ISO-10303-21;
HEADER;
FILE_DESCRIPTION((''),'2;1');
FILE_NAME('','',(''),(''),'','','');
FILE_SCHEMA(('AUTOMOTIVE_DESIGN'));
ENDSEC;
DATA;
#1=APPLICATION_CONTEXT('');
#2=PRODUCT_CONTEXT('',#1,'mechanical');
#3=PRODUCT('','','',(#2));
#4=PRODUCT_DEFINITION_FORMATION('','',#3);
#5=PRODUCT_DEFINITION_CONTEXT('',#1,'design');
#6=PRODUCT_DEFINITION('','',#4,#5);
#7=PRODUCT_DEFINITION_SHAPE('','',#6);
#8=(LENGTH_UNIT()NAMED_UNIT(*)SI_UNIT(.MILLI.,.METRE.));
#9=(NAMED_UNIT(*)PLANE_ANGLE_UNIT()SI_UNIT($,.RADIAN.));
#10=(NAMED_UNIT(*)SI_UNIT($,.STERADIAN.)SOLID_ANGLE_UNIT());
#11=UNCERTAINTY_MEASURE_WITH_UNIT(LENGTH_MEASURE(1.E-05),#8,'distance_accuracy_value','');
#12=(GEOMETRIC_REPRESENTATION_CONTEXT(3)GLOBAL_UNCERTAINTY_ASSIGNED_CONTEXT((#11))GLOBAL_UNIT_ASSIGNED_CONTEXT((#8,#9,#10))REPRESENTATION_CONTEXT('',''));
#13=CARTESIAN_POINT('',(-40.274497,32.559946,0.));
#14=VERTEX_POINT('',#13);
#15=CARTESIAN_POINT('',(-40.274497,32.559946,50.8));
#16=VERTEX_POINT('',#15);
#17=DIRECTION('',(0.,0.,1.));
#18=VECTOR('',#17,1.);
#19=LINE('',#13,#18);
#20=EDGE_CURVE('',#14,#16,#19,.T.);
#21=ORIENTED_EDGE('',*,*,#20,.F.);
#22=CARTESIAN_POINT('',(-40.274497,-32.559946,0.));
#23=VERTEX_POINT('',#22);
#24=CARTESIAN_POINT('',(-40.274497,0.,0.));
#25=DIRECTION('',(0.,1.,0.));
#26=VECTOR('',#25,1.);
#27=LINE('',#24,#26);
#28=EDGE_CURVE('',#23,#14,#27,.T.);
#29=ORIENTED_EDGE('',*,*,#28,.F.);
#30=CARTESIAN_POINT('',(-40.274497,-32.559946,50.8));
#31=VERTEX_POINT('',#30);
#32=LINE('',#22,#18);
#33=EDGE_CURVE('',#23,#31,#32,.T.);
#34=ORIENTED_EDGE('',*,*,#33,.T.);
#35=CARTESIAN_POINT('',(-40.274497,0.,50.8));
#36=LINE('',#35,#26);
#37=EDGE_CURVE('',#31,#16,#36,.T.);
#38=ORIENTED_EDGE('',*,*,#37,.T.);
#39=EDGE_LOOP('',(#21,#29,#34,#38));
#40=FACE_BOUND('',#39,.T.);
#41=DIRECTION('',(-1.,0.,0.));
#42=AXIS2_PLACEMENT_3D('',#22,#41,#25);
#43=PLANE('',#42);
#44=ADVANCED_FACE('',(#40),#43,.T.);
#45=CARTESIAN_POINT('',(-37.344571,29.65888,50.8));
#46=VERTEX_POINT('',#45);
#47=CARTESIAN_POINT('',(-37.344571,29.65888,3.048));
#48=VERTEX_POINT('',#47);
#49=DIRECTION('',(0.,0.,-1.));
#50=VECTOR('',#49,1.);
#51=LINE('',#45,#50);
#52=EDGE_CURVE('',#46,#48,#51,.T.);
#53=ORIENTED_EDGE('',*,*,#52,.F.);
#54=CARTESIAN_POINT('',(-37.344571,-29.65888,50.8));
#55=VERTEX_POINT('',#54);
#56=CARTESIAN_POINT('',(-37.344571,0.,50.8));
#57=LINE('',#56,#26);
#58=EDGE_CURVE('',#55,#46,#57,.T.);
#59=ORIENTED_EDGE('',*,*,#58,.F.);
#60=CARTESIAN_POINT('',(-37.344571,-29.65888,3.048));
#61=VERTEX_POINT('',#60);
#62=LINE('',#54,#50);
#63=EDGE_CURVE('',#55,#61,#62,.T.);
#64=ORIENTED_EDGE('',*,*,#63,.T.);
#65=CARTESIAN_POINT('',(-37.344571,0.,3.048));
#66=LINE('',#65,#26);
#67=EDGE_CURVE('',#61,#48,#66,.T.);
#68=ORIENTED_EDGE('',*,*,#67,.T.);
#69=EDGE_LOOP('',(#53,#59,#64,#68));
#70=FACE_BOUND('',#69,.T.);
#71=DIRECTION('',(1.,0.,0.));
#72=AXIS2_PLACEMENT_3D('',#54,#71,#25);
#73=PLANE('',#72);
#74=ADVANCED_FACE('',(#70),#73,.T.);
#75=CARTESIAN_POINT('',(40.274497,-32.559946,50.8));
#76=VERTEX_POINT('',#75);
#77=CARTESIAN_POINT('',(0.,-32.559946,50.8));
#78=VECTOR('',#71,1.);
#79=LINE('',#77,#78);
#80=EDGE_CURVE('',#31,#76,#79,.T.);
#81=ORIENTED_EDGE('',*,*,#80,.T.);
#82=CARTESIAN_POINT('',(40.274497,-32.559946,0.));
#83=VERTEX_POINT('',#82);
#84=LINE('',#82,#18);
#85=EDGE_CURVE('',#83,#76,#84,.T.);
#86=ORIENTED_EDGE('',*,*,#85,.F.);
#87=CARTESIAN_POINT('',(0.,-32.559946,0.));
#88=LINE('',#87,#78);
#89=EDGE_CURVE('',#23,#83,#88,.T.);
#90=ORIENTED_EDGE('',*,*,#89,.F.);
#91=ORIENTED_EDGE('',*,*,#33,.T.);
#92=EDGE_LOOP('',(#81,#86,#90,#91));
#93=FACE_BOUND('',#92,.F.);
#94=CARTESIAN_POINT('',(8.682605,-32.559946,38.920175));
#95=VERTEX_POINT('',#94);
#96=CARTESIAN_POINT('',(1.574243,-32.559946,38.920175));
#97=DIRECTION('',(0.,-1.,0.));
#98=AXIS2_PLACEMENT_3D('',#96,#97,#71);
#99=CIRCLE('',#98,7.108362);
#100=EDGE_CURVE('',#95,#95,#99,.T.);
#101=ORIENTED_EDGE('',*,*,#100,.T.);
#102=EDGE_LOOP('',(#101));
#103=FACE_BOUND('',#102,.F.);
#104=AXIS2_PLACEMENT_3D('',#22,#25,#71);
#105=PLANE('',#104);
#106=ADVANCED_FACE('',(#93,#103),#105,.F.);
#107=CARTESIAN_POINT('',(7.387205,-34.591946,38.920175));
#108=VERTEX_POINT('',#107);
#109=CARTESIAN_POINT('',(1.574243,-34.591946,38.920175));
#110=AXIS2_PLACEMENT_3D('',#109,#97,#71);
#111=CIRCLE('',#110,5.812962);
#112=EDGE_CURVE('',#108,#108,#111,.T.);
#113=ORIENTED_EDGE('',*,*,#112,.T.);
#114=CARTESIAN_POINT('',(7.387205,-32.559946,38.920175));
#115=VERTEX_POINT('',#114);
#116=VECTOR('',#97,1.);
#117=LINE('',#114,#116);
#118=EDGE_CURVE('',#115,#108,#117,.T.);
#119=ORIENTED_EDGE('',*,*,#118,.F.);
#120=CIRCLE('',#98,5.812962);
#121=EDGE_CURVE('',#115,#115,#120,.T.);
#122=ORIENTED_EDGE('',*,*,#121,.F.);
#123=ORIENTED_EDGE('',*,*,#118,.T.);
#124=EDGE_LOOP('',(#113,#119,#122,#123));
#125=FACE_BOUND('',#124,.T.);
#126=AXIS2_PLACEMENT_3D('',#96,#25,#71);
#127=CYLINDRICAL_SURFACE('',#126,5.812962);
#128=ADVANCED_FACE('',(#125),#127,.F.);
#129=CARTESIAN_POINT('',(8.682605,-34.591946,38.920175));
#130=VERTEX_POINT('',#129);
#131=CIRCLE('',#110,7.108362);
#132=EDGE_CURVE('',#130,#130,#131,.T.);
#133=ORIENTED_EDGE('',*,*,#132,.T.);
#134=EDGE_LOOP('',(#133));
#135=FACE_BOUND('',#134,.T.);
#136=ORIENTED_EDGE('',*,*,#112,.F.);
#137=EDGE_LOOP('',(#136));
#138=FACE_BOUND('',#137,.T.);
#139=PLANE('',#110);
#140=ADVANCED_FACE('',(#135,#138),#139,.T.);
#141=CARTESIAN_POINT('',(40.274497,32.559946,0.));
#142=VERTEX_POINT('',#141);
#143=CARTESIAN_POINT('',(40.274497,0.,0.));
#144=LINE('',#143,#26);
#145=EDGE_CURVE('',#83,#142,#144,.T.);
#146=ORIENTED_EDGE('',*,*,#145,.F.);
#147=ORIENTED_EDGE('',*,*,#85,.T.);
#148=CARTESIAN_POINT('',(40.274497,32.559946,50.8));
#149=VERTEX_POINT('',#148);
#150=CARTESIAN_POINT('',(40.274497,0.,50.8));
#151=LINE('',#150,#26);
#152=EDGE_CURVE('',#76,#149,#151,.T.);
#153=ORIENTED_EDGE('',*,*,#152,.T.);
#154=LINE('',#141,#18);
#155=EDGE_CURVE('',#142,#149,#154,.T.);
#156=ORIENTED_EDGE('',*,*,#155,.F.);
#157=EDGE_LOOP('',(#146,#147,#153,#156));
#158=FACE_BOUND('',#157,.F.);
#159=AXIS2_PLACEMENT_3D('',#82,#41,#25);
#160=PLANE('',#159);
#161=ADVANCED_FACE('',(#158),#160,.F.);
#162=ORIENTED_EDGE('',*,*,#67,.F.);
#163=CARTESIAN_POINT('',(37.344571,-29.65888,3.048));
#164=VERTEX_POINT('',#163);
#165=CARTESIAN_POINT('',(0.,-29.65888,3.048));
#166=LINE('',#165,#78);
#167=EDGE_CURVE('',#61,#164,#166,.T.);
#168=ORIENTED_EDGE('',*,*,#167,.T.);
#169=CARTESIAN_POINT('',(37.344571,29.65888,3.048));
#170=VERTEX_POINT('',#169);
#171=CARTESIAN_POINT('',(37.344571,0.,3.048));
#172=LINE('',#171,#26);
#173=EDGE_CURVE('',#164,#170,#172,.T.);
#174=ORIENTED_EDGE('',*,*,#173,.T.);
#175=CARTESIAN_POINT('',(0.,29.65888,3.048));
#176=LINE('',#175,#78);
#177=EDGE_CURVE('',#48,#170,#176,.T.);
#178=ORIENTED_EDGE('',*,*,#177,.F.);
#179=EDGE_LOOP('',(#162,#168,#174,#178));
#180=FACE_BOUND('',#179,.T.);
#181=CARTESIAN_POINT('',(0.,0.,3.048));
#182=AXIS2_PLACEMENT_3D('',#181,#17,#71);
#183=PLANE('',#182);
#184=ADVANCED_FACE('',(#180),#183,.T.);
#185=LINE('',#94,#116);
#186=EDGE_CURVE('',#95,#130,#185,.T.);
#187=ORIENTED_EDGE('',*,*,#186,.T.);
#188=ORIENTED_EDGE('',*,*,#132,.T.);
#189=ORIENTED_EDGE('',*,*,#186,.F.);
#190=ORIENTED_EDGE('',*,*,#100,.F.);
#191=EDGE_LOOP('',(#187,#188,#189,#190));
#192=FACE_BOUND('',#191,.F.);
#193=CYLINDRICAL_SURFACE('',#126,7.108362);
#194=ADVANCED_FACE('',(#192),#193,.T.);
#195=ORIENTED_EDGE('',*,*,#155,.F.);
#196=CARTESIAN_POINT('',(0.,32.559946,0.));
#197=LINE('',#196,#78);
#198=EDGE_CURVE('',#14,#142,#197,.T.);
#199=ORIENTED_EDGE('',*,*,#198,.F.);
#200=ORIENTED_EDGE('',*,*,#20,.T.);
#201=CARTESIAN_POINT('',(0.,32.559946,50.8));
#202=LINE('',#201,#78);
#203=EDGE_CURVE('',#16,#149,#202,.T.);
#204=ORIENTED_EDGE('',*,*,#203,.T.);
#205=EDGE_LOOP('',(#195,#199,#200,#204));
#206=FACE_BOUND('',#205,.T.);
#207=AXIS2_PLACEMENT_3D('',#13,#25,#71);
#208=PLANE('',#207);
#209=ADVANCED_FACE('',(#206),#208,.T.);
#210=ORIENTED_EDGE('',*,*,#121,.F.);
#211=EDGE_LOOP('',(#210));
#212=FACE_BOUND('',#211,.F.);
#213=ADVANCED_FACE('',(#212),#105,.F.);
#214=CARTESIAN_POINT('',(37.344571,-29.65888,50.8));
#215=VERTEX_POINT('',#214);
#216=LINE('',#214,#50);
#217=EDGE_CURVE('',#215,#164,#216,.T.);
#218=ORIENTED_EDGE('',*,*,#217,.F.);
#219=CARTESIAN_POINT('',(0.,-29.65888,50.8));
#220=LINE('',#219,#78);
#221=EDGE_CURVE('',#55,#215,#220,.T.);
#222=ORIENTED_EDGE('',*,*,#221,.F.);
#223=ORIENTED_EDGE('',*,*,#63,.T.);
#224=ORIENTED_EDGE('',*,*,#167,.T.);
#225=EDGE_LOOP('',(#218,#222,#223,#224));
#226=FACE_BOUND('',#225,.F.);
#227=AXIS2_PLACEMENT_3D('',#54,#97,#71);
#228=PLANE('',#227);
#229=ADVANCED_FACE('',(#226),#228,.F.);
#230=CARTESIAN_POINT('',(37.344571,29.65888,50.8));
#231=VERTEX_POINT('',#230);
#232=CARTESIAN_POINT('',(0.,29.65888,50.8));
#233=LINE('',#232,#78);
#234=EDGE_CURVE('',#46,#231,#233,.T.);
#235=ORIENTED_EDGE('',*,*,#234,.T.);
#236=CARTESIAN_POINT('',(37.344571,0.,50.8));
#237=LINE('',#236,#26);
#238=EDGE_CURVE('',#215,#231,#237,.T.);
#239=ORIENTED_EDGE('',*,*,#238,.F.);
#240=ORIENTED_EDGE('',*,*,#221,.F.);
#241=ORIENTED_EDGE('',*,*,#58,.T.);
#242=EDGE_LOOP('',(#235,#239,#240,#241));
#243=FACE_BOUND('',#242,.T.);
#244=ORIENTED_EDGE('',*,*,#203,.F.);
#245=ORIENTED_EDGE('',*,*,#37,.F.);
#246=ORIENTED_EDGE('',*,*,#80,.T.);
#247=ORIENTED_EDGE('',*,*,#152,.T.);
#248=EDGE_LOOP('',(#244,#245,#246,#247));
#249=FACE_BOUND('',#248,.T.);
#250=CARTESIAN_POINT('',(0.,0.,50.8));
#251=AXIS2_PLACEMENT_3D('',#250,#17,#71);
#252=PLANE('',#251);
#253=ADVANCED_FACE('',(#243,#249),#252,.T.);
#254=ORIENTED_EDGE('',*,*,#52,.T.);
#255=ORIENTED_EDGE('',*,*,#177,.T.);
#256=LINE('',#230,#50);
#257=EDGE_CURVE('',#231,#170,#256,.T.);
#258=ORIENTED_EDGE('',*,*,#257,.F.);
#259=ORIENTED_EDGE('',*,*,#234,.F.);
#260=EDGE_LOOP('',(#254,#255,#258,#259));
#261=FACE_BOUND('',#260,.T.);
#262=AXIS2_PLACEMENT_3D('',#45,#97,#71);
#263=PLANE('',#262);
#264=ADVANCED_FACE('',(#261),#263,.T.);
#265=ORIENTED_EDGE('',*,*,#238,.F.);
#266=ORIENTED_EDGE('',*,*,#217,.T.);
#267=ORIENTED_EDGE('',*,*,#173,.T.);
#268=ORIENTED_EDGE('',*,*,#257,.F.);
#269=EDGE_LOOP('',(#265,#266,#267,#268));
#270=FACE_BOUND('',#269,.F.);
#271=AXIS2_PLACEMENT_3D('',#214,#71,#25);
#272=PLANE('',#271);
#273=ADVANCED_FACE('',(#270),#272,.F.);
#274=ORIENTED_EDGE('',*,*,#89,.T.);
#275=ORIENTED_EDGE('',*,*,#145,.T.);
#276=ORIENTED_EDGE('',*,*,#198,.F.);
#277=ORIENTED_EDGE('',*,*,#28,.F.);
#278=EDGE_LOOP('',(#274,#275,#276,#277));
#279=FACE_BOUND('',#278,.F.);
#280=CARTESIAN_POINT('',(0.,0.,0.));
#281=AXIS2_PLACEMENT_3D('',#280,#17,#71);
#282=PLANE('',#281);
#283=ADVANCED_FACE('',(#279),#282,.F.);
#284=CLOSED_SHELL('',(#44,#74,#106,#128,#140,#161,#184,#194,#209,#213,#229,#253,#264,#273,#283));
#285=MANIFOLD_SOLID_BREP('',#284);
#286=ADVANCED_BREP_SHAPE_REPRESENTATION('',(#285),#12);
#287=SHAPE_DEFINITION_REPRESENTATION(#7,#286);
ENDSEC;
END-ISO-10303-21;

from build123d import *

# Parameters (mm, degrees)
F0_W     = 80.548994
F0_H     = 65.119892
F1_DEPTH = 50.8
F2_W     = 74.689142
F2_H     = 59.31776
F3_DEPTH = 47.752
F4_R     = 7.108362
F4_R_2   = 5.812962
F5_DEPTH = 2.032


with BuildPart() as f1:
    # F0 (on Top) → F1 (new body)
    with BuildSketch(Plane.XY):
        Rectangle(F0_W, F0_H)
    extrude(amount=F1_DEPTH)

    # F2 (on face) → F3 (cut)
    with BuildSketch(Plane.XY.offset(50.8)):
        Rectangle(F2_W, F2_H)
    extrude(amount=-F3_DEPTH, mode=Mode.SUBTRACT)

    # F4 (on face) → F5 (join)
    with BuildSketch(Plane.XZ.offset(32.559946)):
        with Locations((1.574243, 38.920175)):
            Circle(F4_R)
        with Locations((1.574243, 38.920175)):
            Circle(F4_R_2, mode=Mode.SUBTRACT)
    extrude(amount=F5_DEPTH)


solid = f1.part
